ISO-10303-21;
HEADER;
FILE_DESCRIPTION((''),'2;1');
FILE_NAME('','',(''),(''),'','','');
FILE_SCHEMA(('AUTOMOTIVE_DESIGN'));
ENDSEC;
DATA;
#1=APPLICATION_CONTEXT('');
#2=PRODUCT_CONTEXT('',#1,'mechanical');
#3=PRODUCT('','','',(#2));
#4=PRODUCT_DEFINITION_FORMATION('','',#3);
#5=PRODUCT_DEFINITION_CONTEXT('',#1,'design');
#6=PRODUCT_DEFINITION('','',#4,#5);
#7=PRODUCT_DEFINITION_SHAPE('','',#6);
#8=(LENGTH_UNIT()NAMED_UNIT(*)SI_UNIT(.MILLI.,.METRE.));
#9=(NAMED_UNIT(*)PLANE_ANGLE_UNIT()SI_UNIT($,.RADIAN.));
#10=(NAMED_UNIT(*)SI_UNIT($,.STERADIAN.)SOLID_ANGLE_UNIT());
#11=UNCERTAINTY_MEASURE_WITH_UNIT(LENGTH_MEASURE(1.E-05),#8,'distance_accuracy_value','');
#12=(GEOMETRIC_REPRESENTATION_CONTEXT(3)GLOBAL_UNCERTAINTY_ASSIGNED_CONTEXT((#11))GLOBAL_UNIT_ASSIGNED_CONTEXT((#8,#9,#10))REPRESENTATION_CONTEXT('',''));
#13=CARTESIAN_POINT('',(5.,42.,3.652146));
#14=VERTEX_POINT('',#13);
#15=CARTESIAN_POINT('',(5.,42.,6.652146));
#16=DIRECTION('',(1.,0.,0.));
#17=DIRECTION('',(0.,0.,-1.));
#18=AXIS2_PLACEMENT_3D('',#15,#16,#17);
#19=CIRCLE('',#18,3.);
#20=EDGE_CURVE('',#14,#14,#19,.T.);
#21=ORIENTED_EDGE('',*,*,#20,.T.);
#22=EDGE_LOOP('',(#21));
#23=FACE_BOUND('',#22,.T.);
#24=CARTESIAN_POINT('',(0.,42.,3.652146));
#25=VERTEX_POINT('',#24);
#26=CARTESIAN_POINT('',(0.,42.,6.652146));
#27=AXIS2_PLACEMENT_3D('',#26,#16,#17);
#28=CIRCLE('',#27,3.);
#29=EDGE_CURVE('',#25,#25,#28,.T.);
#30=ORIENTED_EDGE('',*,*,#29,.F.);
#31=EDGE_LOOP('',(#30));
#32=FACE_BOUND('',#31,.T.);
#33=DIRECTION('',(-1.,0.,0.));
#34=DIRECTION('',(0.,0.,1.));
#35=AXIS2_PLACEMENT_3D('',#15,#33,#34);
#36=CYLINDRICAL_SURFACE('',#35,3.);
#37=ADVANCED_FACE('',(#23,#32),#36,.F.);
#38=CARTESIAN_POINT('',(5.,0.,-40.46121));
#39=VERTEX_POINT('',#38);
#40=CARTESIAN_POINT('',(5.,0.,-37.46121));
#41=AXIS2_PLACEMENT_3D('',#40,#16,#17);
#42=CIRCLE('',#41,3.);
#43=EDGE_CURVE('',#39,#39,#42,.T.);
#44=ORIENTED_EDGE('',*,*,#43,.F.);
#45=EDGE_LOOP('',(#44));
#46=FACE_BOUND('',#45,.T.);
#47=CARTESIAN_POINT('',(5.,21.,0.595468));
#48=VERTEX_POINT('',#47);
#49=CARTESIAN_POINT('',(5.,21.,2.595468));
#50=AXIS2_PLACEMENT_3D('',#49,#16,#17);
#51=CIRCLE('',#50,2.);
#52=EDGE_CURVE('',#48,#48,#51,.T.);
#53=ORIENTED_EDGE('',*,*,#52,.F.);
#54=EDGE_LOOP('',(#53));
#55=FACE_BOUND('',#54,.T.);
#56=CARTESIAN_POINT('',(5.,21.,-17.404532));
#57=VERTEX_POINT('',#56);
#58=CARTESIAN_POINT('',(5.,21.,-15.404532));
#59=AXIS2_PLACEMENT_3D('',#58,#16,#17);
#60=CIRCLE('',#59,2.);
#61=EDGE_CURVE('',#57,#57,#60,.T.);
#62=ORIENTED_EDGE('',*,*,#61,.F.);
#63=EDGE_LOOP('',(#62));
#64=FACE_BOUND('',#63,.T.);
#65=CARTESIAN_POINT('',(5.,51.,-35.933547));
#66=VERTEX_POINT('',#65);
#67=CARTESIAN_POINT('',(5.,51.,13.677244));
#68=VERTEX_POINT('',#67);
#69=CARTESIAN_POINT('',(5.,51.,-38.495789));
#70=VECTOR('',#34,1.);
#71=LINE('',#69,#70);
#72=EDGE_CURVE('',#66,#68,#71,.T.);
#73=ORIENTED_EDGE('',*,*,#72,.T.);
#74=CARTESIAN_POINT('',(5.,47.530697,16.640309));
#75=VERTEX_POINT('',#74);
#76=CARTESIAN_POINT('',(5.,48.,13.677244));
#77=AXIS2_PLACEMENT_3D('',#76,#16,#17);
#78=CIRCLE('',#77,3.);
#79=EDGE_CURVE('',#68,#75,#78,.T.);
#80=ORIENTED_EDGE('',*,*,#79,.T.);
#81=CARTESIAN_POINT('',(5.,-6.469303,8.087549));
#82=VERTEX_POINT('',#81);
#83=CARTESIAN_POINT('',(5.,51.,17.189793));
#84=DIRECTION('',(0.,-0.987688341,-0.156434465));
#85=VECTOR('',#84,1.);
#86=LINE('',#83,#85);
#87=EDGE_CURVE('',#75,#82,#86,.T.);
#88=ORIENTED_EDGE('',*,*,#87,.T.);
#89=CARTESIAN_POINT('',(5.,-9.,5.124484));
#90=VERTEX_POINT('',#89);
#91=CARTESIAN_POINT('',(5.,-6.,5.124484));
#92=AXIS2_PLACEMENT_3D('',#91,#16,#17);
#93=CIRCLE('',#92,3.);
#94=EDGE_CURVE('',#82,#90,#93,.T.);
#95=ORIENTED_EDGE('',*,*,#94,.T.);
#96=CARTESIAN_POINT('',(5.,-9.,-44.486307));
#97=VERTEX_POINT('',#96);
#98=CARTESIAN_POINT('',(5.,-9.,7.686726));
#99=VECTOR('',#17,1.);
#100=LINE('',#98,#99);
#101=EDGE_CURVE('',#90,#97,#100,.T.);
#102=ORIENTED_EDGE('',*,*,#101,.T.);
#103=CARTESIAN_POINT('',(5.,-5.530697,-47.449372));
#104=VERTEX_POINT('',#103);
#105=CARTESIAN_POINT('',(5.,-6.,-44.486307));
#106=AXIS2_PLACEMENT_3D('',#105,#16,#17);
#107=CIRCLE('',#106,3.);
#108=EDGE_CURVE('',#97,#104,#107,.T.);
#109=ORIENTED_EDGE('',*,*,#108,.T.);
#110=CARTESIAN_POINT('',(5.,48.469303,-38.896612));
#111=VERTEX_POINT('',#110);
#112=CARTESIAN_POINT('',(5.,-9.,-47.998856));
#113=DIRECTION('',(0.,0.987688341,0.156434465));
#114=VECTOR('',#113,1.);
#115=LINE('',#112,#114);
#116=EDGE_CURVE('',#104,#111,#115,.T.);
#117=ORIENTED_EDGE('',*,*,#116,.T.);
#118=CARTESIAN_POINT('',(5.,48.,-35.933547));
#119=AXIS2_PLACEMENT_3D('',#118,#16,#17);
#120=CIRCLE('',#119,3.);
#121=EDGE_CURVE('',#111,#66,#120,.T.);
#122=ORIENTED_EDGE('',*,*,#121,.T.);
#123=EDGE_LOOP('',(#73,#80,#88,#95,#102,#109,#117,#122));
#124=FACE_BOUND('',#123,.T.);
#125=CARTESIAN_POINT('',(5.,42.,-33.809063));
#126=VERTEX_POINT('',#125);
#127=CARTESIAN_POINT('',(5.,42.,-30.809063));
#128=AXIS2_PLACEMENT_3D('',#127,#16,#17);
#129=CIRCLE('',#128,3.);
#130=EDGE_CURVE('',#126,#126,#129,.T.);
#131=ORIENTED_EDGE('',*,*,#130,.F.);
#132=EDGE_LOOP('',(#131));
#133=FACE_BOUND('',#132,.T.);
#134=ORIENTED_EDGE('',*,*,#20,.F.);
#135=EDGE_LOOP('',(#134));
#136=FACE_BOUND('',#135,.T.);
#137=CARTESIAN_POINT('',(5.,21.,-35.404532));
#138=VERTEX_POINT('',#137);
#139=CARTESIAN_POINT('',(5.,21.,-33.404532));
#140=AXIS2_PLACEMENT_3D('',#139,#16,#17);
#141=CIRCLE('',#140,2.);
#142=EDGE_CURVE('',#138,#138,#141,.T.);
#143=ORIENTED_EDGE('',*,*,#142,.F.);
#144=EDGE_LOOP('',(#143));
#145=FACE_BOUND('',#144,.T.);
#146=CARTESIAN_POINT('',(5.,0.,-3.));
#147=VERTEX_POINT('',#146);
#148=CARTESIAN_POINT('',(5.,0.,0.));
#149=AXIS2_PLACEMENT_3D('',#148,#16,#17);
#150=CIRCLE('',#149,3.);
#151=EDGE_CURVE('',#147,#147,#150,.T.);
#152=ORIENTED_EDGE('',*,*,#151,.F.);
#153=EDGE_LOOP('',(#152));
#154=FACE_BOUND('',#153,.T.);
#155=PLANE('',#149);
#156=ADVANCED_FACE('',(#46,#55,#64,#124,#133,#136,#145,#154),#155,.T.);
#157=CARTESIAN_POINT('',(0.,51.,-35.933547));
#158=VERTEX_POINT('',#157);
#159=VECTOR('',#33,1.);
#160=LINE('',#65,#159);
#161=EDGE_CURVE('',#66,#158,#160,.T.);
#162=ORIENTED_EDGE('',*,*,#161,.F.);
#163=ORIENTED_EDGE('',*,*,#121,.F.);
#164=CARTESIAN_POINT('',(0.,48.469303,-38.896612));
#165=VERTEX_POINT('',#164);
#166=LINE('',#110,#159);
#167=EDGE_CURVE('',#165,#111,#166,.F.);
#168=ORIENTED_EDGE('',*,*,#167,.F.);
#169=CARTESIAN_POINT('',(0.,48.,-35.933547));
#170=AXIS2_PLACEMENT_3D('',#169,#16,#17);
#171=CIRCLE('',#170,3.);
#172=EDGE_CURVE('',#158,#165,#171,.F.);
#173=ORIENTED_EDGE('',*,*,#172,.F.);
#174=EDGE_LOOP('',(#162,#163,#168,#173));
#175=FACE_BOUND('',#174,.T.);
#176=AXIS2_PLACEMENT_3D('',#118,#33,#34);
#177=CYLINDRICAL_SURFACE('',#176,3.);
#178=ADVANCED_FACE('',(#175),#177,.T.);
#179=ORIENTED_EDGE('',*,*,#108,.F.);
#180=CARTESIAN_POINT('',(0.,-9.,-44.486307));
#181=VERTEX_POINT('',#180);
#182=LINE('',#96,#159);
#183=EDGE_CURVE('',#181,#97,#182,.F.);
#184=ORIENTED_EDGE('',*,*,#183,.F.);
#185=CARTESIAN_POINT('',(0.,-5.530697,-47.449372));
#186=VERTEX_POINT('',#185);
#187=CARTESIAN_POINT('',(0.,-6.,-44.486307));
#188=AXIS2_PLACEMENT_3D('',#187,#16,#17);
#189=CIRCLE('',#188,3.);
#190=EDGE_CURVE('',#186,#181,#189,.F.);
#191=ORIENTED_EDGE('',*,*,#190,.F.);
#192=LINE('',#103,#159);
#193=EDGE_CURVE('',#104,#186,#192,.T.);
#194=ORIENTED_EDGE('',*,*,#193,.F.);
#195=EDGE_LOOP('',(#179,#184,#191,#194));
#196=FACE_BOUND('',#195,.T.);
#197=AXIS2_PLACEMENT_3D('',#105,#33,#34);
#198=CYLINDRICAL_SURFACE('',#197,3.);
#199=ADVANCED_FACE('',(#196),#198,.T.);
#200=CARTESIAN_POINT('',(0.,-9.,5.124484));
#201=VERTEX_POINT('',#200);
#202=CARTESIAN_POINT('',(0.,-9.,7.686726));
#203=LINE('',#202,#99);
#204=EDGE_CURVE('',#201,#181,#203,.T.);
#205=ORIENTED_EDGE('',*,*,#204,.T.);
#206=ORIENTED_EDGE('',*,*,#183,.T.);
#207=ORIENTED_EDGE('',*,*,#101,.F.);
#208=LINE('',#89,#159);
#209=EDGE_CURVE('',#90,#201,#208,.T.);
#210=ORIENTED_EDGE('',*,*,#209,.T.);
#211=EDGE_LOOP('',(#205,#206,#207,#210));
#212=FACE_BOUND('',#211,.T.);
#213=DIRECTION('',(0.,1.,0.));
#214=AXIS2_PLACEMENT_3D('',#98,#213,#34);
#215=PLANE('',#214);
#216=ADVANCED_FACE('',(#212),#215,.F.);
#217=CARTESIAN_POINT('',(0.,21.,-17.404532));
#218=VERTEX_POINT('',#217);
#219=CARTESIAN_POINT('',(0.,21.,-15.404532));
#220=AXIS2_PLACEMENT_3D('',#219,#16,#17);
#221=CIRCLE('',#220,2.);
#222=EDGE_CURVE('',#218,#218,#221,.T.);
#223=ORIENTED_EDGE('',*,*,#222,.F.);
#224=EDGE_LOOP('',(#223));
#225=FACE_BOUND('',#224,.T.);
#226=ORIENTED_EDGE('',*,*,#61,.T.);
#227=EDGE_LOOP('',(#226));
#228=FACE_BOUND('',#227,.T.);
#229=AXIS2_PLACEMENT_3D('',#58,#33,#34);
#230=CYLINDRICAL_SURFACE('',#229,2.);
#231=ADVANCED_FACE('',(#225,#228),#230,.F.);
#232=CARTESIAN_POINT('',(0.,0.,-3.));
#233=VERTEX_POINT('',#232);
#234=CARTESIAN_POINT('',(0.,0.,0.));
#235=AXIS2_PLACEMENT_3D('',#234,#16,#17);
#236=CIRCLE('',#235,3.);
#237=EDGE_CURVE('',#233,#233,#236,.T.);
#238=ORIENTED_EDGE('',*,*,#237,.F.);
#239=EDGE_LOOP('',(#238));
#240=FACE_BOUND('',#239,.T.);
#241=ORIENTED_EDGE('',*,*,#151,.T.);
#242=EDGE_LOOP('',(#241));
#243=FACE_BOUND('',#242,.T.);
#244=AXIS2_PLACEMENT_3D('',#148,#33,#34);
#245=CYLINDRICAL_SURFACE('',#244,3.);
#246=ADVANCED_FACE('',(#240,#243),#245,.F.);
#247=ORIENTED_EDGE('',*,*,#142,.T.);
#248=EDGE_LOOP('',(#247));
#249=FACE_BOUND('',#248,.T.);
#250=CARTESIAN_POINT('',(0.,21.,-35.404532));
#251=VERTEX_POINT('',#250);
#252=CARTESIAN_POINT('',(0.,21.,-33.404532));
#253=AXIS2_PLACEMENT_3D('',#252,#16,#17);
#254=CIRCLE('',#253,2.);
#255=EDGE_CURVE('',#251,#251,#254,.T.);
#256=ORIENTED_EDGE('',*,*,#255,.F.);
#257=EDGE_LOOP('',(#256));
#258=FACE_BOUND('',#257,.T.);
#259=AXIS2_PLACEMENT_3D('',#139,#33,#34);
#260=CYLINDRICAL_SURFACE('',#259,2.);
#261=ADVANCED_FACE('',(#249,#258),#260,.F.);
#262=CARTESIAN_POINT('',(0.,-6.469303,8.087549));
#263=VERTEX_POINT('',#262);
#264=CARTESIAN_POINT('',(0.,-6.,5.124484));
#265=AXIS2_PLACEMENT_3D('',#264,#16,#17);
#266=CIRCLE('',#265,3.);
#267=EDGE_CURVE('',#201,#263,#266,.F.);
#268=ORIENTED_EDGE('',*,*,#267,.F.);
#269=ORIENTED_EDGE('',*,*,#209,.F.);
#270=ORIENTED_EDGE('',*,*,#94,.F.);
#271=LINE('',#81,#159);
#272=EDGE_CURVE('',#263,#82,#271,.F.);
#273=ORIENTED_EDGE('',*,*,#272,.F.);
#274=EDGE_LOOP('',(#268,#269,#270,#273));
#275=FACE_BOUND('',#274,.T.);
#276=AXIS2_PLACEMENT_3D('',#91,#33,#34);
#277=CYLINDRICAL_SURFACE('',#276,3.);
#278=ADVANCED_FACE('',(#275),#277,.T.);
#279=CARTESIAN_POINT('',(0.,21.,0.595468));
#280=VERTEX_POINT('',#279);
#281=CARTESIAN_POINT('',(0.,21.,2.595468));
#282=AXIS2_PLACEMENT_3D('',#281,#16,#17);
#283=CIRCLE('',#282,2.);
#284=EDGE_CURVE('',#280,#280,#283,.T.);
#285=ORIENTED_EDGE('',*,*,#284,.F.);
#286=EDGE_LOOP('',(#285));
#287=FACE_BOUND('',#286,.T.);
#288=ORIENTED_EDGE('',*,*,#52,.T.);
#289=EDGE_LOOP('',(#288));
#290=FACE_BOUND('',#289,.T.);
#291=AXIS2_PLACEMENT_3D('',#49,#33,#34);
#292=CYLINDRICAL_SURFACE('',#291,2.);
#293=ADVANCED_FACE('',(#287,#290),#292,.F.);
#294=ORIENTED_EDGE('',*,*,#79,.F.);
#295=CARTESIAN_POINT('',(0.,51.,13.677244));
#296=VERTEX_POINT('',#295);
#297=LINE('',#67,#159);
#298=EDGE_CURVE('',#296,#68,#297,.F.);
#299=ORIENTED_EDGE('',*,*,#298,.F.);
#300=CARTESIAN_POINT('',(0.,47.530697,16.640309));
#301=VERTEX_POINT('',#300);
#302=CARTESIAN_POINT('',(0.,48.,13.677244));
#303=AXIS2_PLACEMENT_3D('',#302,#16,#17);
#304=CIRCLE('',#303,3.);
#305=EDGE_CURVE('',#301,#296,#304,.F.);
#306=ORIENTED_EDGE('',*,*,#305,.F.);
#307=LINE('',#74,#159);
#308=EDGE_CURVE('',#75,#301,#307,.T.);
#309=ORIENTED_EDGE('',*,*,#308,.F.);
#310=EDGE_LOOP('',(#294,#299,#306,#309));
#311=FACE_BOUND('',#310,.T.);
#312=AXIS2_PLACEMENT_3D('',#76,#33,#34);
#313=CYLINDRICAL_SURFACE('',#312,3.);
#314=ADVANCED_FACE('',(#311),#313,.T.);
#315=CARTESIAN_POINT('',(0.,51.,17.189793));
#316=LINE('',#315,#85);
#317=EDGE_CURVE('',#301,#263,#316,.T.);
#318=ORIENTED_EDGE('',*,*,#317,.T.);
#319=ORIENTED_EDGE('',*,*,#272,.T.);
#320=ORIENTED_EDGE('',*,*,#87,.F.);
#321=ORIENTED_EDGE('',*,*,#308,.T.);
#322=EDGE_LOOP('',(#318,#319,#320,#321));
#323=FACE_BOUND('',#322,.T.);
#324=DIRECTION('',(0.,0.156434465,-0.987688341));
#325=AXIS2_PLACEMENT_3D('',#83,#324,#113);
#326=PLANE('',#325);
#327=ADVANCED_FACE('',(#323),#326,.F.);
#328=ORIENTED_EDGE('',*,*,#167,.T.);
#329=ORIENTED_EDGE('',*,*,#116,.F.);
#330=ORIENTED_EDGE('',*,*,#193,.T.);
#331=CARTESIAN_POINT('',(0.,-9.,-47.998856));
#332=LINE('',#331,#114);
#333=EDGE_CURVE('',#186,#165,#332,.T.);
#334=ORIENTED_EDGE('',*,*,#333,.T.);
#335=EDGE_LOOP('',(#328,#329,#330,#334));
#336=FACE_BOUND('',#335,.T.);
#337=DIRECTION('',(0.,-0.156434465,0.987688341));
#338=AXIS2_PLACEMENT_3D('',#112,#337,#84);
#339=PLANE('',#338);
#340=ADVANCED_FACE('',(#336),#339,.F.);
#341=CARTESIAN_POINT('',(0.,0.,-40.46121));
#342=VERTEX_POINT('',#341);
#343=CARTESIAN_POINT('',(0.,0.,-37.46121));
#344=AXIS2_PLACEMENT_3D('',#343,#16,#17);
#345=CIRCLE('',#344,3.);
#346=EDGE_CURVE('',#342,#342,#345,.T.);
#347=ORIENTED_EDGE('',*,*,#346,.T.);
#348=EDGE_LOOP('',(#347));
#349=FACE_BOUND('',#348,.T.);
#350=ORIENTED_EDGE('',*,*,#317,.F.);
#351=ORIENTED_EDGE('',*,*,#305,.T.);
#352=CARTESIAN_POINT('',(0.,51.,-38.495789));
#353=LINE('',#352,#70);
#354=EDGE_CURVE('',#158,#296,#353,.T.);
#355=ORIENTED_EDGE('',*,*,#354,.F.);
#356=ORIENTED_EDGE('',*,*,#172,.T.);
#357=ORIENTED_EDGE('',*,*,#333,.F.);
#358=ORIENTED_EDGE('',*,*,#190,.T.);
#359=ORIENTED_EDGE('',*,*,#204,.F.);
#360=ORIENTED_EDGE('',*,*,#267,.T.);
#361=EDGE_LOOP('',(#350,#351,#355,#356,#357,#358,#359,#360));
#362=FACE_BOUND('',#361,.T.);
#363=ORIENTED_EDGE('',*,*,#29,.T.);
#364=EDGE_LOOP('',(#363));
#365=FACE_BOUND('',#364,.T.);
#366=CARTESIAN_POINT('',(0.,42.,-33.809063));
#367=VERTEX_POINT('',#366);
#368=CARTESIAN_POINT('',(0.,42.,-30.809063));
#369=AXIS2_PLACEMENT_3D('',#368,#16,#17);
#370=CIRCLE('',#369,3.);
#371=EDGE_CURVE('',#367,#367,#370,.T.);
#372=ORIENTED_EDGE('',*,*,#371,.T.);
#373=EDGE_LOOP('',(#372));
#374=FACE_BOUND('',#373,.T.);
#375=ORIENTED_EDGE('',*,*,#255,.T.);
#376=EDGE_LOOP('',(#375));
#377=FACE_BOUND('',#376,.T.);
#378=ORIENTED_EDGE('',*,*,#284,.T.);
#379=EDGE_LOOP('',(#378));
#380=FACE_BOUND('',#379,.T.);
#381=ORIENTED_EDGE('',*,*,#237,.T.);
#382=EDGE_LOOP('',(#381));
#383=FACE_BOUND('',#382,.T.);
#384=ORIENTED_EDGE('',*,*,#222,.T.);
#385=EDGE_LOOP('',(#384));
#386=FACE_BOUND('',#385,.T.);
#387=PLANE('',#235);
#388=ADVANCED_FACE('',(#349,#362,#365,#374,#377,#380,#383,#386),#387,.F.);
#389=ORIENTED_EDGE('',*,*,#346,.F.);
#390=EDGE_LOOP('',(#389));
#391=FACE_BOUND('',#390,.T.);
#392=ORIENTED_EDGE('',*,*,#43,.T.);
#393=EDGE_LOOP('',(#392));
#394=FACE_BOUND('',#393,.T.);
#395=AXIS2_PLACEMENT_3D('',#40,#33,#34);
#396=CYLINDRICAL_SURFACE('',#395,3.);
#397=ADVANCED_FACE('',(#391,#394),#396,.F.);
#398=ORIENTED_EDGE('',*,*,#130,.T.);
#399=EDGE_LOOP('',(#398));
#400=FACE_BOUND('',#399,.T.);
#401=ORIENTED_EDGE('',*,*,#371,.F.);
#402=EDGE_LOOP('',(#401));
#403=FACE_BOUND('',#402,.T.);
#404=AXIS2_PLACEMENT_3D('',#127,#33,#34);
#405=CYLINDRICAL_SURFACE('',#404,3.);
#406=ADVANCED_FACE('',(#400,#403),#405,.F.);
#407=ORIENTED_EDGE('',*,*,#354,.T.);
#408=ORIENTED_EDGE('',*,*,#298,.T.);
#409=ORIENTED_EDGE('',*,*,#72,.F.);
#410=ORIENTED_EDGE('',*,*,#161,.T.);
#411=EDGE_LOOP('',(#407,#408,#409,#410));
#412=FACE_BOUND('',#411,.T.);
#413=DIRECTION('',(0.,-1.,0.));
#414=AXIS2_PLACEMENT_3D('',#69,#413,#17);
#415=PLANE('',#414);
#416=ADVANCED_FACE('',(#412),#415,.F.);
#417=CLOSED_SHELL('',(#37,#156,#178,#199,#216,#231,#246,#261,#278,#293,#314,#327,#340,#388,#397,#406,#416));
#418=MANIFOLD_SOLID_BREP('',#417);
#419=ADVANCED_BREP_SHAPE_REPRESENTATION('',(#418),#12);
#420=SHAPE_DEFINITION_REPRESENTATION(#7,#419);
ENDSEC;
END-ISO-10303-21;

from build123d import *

# Parameters (mm, degrees)
SKETCH1_R           = 3
SKETCH1_R_2         = 2
BOSS_EXTRUDE1_DEPTH = 5
FILLET1_R           = 3


with BuildPart() as part:
    # Sketch1 → Boss-Extrude1 (new body)
    with BuildSketch(Plane(origin=(0, 0, 0), x_dir=(0, 0, -1), z_dir=(1, 0, 0))):
        Polygon((-7.686726169, -9), (47.998855749, -9), (38.49578933, 51), (-17.189792589, 51), align=None)
        Circle(SKETCH1_R, mode=Mode.SUBTRACT)
        with Locations((37.461209654, 0)):
            Circle(SKETCH1_R, mode=Mode.SUBTRACT)
        with Locations((-6.652146494, 42)):
            Circle(SKETCH1_R, mode=Mode.SUBTRACT)
        with Locations((30.809063161, 42)):
            Circle(SKETCH1_R, mode=Mode.SUBTRACT)
        with Locations((15.40453158, 21)):
            Circle(SKETCH1_R_2, mode=Mode.SUBTRACT)
        with Locations((-2.59546842, 21)):
            Circle(SKETCH1_R_2, mode=Mode.SUBTRACT)
        with Locations((33.40453158, 21)):
            Circle(SKETCH1_R_2, mode=Mode.SUBTRACT)
    extrude(amount=BOSS_EXTRUDE1_DEPTH)

    # Fillet1
    fillet1_edges = [part.edges().sort_by_distance(p)[0] for p in [
        (2.5, 51, 17.189792589),
        (2.5, 51, -38.49578933),
        (2.5, -9, -47.998855749),
        (2.5, -9, 7.686726169),
    ]]
    fillet(fillet1_edges, radius=FILLET1_R)


solid = part.part
